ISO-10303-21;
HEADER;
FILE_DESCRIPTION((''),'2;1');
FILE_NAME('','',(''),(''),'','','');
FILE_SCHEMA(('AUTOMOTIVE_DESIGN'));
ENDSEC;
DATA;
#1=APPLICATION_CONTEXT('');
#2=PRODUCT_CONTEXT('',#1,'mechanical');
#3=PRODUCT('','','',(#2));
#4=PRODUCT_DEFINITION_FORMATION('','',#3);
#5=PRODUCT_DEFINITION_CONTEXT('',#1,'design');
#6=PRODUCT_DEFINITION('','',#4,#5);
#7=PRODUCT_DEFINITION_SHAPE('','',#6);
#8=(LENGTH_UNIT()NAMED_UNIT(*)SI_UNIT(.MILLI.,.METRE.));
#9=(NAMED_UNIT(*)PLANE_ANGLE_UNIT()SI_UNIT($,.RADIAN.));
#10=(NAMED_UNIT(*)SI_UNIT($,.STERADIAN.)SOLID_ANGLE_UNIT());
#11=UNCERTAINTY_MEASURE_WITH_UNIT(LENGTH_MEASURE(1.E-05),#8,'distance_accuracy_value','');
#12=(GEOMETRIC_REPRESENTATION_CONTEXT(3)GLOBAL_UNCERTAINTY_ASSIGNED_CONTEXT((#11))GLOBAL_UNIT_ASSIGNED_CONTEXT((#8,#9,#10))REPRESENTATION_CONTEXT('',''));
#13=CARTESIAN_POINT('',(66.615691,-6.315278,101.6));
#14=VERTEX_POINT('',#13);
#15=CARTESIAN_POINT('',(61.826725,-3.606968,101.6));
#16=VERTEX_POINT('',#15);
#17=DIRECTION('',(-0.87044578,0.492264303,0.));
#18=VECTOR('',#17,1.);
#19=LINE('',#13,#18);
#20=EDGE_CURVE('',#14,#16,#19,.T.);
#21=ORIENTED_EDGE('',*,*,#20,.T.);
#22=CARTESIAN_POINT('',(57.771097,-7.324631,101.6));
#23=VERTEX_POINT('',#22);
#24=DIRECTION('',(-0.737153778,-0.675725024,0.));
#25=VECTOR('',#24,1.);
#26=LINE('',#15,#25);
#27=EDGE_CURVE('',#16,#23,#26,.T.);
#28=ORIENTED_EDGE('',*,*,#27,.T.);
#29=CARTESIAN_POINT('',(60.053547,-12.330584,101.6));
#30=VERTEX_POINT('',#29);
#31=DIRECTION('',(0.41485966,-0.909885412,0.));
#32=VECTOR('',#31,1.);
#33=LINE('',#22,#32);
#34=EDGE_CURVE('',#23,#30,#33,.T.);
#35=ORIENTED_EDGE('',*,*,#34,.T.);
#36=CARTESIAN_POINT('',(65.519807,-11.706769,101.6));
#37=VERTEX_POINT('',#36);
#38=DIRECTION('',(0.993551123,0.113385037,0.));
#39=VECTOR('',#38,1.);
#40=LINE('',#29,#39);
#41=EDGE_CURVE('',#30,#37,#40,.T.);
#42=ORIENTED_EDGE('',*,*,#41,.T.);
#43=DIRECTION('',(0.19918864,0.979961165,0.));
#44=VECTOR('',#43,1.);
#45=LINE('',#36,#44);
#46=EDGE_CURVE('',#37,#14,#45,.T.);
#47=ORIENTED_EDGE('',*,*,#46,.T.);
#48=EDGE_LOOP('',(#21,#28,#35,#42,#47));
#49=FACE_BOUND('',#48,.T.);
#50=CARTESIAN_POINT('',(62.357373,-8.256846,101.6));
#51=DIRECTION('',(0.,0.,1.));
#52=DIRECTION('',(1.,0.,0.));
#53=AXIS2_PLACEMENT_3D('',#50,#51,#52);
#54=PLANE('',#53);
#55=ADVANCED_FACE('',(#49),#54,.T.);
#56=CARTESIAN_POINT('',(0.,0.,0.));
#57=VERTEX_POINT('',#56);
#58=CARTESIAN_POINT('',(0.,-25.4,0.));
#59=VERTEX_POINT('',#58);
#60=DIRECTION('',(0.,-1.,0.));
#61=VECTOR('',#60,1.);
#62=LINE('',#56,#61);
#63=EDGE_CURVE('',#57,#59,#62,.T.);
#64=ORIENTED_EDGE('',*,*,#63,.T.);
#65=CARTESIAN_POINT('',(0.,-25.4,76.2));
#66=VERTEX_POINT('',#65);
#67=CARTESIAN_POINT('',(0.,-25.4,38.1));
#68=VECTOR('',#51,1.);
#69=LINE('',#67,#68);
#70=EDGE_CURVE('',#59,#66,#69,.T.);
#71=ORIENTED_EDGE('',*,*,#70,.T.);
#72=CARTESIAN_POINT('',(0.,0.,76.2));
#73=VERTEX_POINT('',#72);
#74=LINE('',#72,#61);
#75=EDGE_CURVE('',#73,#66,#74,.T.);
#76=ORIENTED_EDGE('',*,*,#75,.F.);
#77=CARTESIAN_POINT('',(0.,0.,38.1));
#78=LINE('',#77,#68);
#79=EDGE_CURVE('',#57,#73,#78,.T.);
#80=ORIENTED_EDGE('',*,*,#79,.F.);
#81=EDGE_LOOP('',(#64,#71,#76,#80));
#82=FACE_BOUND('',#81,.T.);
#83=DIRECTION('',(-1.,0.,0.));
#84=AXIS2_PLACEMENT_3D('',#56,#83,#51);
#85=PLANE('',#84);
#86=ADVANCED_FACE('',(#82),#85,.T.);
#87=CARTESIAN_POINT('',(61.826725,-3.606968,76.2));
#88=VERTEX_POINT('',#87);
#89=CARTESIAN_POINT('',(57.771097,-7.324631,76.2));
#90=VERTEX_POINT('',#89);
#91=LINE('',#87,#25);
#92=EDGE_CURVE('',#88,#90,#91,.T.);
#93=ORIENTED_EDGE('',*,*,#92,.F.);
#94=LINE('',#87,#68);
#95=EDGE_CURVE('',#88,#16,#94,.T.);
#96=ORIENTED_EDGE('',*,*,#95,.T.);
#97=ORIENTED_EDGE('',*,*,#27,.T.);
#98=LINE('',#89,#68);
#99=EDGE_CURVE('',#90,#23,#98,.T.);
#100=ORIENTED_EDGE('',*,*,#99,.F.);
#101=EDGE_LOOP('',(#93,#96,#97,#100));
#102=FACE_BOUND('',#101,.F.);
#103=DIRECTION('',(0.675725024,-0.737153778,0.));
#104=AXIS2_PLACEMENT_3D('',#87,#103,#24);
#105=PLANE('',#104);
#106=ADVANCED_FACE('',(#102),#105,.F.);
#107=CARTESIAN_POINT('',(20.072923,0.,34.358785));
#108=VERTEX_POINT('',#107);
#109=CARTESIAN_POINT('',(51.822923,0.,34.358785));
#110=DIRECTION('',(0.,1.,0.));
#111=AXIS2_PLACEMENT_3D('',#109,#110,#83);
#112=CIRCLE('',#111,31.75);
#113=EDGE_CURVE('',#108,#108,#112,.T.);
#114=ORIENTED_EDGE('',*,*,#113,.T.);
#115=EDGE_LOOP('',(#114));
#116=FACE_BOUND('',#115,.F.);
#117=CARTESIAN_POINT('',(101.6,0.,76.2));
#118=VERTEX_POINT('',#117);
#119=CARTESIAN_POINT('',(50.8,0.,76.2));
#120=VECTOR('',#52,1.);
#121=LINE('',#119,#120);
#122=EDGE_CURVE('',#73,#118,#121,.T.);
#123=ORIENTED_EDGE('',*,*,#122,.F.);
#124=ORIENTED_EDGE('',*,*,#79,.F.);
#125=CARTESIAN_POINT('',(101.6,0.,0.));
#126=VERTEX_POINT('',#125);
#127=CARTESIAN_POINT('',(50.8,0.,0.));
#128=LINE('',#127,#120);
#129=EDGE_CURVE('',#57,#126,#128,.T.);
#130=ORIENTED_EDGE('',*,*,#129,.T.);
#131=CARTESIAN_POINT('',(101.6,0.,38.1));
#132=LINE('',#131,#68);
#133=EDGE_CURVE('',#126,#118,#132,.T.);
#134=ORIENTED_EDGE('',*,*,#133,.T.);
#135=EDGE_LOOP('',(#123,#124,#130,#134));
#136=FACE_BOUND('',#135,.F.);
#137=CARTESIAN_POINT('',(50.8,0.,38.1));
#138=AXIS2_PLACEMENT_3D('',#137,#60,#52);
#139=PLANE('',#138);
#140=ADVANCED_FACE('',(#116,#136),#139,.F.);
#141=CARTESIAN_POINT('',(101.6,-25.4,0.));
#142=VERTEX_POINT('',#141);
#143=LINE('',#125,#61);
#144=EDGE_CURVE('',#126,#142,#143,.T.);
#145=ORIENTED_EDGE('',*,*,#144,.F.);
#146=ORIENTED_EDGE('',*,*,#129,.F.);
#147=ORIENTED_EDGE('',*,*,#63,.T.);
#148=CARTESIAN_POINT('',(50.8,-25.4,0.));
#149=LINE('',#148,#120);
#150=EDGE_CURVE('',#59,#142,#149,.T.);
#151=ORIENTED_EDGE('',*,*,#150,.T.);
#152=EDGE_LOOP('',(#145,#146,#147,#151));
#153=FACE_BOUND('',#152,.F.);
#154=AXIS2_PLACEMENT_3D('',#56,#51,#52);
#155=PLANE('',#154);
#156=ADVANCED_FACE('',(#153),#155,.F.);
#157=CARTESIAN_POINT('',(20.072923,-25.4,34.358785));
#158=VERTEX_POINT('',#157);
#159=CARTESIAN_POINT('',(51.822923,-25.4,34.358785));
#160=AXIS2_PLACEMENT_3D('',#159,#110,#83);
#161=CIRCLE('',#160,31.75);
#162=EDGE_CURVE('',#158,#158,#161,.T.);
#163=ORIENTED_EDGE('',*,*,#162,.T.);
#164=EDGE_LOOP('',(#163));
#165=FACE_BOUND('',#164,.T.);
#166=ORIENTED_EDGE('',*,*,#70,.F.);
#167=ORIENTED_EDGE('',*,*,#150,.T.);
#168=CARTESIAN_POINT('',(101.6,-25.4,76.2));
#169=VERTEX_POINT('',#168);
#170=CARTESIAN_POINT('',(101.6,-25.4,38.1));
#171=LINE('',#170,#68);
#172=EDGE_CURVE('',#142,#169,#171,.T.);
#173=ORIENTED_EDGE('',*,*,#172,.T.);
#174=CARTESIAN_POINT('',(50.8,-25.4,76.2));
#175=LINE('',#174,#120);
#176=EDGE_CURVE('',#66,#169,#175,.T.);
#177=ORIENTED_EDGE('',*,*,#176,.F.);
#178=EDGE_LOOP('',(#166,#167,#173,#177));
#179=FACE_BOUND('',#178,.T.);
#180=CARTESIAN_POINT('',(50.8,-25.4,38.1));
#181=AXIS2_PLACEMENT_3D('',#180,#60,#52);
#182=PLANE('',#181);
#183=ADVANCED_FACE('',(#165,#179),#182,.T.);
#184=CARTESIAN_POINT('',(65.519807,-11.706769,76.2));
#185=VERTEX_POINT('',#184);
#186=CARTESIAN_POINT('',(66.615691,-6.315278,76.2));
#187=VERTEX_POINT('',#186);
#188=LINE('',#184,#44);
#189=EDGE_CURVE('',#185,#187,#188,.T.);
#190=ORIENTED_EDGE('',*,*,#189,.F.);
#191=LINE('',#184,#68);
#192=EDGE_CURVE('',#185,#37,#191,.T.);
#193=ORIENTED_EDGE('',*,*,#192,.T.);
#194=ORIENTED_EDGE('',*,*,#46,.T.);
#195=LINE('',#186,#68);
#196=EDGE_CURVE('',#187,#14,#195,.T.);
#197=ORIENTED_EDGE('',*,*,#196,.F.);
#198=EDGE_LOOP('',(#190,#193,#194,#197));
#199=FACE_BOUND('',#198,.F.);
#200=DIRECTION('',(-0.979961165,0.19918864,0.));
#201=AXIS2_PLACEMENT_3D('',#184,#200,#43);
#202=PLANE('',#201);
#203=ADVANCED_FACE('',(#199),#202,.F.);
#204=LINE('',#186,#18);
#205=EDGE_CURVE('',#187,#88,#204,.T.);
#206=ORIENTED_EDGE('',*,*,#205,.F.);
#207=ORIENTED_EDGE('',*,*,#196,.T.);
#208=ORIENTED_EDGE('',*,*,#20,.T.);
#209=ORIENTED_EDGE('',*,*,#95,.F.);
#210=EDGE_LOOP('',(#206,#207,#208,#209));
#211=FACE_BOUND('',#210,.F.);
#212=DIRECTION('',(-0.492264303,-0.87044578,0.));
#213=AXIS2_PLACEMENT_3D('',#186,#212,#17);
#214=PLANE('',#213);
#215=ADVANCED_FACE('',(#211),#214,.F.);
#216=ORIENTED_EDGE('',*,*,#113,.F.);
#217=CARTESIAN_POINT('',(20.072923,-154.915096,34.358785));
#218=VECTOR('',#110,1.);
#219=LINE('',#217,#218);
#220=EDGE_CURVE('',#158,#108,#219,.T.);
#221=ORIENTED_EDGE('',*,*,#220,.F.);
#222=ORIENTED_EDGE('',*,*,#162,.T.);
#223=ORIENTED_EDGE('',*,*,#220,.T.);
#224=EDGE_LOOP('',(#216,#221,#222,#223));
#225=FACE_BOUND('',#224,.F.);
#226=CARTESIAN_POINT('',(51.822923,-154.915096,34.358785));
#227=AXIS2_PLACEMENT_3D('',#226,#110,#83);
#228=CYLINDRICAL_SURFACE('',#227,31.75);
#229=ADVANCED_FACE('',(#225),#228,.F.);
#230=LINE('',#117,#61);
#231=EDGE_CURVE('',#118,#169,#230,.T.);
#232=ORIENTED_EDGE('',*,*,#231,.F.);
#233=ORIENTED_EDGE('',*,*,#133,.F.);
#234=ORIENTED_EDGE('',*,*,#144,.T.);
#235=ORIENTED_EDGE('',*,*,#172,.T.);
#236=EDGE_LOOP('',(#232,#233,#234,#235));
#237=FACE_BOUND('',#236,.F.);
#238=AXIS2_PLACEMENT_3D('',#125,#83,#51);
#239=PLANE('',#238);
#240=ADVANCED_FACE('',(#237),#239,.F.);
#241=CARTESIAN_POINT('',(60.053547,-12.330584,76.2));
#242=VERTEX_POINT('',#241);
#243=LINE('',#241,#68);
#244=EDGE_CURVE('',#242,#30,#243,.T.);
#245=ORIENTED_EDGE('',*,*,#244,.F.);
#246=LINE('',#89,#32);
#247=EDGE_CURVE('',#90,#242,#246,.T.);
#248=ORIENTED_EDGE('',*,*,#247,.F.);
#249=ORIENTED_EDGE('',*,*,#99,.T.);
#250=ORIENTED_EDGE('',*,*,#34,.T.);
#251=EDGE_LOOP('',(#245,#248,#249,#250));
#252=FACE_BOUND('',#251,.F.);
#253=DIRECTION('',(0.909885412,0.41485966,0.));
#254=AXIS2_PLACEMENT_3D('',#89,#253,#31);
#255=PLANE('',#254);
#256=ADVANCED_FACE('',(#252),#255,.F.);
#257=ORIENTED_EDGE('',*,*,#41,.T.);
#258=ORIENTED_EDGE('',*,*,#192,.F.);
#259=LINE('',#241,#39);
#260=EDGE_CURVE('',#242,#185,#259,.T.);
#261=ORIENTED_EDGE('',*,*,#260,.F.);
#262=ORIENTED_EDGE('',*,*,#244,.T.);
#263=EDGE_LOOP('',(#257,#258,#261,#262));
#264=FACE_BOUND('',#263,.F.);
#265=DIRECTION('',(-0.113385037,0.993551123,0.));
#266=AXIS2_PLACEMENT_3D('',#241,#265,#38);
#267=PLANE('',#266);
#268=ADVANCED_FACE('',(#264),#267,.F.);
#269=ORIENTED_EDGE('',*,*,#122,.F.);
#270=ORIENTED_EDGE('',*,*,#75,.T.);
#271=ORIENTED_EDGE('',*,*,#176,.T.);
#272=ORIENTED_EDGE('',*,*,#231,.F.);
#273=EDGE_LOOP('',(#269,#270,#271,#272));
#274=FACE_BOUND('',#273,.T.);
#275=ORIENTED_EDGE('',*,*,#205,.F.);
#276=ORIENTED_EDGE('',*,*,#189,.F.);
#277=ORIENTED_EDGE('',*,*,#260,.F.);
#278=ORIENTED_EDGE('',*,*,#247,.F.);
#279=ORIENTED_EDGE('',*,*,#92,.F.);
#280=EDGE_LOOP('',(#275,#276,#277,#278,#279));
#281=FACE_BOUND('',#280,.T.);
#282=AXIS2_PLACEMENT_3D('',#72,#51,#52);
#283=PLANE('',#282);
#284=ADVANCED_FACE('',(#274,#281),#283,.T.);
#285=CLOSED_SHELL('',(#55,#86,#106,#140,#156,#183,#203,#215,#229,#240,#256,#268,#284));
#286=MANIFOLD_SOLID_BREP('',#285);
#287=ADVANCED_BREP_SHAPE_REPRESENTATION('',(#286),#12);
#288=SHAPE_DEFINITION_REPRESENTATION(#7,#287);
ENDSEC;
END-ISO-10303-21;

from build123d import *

# Parameters (mm, degrees)
F0_W     = 101.6
F0_H     = 76.2
F1_DEPTH = 25.4
F3_D     = 63.5
F5_DEPTH = 25.4


with BuildPart() as f1:
    # F0 (on Front) → F1 (new body)
    with BuildSketch(Plane.XZ):
        with Locations((50.8, 38.1)):
            Rectangle(F0_W, F0_H)
    extrude(amount=F1_DEPTH)

    # F3 (through all)
    with Locations(Plane.XZ.offset(25.4)):
        with Locations((51.822923, 34.358785)):
            Hole(F3_D / 2)

    # F4 (on face) → F5 (join)
    with BuildSketch(Plane.XY.offset(76.2)):
        Polygon((61.826725, -3.606968), (57.771097, -7.324631), (60.053547, -12.330584), (65.519807, -11.706769), (66.615691, -6.315278), align=None)
    extrude(amount=F5_DEPTH)


solid = f1.part
